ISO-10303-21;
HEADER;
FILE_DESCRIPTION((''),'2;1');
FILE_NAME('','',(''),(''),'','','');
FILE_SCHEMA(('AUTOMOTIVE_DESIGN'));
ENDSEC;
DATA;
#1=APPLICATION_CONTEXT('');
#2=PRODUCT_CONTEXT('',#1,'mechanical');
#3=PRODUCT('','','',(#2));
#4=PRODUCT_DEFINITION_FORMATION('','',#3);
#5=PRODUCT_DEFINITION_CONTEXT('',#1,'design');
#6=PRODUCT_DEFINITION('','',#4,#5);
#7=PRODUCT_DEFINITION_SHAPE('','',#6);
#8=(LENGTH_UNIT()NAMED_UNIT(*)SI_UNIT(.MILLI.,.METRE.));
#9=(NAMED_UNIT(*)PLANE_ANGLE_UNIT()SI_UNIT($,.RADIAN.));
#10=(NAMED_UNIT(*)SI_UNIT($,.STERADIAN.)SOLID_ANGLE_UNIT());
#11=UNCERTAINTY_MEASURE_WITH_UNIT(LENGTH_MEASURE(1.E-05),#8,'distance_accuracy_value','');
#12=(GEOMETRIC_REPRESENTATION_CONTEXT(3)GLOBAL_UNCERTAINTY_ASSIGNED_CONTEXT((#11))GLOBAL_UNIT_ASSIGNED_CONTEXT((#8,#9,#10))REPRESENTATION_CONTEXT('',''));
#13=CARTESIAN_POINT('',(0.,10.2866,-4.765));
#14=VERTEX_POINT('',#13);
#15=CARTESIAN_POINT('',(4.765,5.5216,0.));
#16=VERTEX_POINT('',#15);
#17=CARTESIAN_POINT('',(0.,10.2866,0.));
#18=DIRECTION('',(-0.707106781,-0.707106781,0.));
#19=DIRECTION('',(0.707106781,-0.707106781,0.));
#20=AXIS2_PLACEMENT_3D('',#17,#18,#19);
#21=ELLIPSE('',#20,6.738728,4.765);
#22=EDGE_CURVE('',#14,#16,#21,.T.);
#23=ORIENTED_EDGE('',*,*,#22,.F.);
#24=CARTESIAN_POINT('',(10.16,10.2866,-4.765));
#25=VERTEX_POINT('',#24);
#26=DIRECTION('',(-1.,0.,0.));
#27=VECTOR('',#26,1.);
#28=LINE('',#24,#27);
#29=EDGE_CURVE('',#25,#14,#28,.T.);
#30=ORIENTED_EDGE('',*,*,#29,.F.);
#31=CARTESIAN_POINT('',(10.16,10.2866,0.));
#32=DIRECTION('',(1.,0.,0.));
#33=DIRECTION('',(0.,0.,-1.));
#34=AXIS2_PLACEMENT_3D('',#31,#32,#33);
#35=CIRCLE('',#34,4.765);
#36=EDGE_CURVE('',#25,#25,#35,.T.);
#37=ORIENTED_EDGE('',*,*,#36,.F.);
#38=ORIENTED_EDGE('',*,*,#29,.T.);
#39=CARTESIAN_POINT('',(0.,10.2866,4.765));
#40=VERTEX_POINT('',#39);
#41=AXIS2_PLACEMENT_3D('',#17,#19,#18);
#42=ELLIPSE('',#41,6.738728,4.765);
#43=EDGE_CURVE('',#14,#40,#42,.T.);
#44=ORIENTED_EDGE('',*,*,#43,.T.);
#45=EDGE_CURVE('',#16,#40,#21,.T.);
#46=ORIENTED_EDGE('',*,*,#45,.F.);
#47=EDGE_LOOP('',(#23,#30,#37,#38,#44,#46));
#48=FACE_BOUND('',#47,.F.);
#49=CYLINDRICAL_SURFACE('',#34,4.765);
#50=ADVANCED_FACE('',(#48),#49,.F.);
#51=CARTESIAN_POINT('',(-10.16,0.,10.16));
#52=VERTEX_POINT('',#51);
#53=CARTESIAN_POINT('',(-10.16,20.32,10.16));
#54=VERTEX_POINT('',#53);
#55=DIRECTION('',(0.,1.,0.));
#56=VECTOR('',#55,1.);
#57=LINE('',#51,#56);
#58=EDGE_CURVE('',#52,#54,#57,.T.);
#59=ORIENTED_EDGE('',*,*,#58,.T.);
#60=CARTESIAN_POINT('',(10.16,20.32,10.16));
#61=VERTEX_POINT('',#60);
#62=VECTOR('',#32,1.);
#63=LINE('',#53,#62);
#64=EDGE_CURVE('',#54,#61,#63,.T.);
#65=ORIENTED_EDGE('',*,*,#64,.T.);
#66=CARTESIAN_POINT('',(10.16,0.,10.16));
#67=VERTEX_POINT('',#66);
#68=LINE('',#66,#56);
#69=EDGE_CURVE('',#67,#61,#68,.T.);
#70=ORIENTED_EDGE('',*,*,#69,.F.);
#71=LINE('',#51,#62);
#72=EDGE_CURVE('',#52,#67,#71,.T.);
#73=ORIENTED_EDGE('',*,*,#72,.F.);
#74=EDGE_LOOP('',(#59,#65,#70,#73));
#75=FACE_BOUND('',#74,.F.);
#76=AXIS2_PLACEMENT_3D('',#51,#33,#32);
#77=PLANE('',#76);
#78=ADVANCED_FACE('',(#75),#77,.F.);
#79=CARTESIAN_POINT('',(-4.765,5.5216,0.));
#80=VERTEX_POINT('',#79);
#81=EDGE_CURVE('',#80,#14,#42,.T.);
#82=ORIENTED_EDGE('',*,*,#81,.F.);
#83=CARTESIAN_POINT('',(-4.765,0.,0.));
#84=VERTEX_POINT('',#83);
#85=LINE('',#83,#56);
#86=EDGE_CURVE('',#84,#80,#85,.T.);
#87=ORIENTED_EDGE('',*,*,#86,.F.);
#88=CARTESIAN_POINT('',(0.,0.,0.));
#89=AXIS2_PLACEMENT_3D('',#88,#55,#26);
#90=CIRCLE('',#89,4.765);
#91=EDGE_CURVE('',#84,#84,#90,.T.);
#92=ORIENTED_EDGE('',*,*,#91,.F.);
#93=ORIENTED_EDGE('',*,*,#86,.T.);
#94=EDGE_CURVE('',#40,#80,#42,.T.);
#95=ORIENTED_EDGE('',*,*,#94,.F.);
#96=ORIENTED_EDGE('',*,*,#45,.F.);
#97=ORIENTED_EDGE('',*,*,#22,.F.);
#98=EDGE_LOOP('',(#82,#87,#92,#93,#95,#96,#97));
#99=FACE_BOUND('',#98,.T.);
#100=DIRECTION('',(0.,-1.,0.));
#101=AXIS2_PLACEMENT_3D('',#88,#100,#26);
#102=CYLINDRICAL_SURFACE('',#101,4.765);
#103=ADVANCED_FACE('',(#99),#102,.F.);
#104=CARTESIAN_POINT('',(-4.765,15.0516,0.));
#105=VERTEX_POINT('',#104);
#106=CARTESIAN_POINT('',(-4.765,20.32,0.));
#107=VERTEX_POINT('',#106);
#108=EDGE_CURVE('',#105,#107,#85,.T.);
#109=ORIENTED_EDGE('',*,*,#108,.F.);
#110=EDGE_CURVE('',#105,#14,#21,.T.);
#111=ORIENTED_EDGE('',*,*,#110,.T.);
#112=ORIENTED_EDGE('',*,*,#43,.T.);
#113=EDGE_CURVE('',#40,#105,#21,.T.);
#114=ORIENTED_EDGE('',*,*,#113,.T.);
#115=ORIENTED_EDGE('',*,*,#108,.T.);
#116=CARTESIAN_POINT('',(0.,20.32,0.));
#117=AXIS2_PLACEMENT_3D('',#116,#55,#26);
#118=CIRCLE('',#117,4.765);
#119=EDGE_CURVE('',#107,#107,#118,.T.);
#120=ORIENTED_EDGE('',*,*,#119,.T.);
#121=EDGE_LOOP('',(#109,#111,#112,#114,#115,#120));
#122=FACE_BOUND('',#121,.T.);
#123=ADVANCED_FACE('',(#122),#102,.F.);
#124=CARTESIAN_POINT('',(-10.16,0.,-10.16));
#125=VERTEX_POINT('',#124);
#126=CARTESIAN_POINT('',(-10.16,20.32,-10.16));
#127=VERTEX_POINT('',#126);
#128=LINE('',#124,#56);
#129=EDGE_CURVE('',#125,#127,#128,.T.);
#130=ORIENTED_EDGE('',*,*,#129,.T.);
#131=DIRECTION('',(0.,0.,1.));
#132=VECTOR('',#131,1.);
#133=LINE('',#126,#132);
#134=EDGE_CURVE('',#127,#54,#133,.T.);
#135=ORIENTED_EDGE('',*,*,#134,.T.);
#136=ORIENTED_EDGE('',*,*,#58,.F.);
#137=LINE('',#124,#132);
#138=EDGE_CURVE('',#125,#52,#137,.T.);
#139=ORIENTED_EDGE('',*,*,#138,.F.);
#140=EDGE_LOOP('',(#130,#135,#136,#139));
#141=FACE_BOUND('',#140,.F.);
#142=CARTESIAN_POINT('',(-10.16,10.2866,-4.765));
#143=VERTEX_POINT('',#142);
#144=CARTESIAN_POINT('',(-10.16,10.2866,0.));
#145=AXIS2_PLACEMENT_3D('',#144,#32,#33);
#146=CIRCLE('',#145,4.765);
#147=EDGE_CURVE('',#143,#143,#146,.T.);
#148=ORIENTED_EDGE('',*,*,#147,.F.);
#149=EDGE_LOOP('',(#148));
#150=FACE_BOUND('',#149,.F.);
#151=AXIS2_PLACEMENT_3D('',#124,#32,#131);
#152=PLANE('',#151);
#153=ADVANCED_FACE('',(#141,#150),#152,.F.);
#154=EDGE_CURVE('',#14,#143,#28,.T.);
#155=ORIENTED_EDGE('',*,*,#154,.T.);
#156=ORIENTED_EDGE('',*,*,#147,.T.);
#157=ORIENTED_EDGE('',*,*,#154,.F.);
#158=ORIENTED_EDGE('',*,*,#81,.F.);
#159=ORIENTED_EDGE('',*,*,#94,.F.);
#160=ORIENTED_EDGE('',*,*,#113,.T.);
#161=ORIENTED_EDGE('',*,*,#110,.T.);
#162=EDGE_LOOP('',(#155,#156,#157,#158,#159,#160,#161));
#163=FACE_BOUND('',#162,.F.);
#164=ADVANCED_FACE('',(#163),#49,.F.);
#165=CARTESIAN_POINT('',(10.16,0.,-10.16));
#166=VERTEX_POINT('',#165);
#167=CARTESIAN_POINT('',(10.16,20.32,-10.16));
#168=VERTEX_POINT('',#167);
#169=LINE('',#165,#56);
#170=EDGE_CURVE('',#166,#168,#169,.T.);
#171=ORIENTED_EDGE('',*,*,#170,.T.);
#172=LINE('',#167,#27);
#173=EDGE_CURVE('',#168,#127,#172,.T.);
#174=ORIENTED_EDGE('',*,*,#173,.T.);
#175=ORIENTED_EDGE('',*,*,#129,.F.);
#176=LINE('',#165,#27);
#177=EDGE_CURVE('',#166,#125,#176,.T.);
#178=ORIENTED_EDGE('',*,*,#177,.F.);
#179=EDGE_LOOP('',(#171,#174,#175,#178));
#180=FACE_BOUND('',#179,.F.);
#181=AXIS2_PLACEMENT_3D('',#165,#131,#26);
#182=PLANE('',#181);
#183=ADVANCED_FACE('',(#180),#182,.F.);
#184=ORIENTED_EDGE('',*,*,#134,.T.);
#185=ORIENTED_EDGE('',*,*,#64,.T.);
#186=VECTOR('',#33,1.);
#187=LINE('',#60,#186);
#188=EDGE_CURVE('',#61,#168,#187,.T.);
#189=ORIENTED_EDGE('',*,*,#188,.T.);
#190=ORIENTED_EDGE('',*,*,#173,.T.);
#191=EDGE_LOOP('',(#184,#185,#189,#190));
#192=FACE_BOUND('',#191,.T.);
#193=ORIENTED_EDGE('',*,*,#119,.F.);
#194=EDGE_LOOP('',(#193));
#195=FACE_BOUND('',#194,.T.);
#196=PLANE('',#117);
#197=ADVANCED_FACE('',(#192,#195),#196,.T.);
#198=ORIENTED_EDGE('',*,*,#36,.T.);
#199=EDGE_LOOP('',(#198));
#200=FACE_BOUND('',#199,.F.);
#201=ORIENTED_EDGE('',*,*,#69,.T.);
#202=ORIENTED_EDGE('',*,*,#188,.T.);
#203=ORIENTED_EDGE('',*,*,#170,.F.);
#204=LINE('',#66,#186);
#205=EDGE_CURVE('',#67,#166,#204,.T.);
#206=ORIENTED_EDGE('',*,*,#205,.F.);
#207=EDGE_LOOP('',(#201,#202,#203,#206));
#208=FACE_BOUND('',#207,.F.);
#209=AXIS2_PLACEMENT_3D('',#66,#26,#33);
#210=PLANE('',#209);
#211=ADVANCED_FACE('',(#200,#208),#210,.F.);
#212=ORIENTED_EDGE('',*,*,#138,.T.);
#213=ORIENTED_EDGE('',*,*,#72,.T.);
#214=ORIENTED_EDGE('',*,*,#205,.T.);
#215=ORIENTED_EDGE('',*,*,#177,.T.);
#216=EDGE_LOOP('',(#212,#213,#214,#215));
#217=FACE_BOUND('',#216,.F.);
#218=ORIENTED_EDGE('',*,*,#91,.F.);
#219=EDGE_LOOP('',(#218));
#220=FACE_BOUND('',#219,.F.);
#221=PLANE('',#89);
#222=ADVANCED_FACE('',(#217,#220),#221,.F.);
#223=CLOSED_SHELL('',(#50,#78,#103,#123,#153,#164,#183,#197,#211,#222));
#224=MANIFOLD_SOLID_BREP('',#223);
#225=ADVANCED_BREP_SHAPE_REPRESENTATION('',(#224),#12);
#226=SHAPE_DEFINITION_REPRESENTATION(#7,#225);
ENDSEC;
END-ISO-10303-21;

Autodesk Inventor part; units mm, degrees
ref_plane "YZ Plane" through (0, 0, 0) normal (1, 0, 0) x (0, 1, 0)
ref_plane "XZ Plane" through (0, 0, 0) normal (0, 1, 0) x (-1, 0, 0)
ref_plane "XY Plane" through (0, 0, 0) normal (0, 0, 1) x (1, 0, 0)
sketch "Esboço1" plane through (0, 0, 0) normal (0, 1, 0) x (-1, 0, 0)
  line L0 (10.16, 10.16) -> (-10.16, 10.16)
  line L1 (-10.16, 10.16) -> (-10.16, -10.16)
  line L2 (-10.16, -10.16) -> (10.16, -10.16)
  line L3 (10.16, -10.16) -> (10.16, 10.16)
  line L4 (10.16, 10.16) -> (-10.16, -10.16) construction
  line L5 (-10.16, 10.16) -> (10.16, -10.16) construction
  line L6 (0, 22.6457) -> (0, -28.8984) construction
  circle A0 centre (0, 0) radius 4.765
  point P0 (0, -10.16)
  dimension "d1" = 20.32
  dimension "d2" = 10.16
  dimension "d3" = 9.53
extrude "Extrusão1" add sketch "Esboço1" along normal blind 20.32
sketch "Esboço2" plane through (10.16, 0, 10.16) normal (1, 0, 0) x (0, 0, -1)
  line L0 (0, 0) -> (20.32, 0) projected
  line L1 (10.16, 0) -> (0, 0)
  line L2 (10.16, 21.153) -> (10.16, -10.5872) construction
  circle A0 centre (10.16, 10.2866) radius 4.765
  dimension "d6" = 10.16
  dimension "d7" = 9.53
extrude "Extrusão2" cut sketch "Esboço2" against normal blind 20.32
properties part number "peca3"
